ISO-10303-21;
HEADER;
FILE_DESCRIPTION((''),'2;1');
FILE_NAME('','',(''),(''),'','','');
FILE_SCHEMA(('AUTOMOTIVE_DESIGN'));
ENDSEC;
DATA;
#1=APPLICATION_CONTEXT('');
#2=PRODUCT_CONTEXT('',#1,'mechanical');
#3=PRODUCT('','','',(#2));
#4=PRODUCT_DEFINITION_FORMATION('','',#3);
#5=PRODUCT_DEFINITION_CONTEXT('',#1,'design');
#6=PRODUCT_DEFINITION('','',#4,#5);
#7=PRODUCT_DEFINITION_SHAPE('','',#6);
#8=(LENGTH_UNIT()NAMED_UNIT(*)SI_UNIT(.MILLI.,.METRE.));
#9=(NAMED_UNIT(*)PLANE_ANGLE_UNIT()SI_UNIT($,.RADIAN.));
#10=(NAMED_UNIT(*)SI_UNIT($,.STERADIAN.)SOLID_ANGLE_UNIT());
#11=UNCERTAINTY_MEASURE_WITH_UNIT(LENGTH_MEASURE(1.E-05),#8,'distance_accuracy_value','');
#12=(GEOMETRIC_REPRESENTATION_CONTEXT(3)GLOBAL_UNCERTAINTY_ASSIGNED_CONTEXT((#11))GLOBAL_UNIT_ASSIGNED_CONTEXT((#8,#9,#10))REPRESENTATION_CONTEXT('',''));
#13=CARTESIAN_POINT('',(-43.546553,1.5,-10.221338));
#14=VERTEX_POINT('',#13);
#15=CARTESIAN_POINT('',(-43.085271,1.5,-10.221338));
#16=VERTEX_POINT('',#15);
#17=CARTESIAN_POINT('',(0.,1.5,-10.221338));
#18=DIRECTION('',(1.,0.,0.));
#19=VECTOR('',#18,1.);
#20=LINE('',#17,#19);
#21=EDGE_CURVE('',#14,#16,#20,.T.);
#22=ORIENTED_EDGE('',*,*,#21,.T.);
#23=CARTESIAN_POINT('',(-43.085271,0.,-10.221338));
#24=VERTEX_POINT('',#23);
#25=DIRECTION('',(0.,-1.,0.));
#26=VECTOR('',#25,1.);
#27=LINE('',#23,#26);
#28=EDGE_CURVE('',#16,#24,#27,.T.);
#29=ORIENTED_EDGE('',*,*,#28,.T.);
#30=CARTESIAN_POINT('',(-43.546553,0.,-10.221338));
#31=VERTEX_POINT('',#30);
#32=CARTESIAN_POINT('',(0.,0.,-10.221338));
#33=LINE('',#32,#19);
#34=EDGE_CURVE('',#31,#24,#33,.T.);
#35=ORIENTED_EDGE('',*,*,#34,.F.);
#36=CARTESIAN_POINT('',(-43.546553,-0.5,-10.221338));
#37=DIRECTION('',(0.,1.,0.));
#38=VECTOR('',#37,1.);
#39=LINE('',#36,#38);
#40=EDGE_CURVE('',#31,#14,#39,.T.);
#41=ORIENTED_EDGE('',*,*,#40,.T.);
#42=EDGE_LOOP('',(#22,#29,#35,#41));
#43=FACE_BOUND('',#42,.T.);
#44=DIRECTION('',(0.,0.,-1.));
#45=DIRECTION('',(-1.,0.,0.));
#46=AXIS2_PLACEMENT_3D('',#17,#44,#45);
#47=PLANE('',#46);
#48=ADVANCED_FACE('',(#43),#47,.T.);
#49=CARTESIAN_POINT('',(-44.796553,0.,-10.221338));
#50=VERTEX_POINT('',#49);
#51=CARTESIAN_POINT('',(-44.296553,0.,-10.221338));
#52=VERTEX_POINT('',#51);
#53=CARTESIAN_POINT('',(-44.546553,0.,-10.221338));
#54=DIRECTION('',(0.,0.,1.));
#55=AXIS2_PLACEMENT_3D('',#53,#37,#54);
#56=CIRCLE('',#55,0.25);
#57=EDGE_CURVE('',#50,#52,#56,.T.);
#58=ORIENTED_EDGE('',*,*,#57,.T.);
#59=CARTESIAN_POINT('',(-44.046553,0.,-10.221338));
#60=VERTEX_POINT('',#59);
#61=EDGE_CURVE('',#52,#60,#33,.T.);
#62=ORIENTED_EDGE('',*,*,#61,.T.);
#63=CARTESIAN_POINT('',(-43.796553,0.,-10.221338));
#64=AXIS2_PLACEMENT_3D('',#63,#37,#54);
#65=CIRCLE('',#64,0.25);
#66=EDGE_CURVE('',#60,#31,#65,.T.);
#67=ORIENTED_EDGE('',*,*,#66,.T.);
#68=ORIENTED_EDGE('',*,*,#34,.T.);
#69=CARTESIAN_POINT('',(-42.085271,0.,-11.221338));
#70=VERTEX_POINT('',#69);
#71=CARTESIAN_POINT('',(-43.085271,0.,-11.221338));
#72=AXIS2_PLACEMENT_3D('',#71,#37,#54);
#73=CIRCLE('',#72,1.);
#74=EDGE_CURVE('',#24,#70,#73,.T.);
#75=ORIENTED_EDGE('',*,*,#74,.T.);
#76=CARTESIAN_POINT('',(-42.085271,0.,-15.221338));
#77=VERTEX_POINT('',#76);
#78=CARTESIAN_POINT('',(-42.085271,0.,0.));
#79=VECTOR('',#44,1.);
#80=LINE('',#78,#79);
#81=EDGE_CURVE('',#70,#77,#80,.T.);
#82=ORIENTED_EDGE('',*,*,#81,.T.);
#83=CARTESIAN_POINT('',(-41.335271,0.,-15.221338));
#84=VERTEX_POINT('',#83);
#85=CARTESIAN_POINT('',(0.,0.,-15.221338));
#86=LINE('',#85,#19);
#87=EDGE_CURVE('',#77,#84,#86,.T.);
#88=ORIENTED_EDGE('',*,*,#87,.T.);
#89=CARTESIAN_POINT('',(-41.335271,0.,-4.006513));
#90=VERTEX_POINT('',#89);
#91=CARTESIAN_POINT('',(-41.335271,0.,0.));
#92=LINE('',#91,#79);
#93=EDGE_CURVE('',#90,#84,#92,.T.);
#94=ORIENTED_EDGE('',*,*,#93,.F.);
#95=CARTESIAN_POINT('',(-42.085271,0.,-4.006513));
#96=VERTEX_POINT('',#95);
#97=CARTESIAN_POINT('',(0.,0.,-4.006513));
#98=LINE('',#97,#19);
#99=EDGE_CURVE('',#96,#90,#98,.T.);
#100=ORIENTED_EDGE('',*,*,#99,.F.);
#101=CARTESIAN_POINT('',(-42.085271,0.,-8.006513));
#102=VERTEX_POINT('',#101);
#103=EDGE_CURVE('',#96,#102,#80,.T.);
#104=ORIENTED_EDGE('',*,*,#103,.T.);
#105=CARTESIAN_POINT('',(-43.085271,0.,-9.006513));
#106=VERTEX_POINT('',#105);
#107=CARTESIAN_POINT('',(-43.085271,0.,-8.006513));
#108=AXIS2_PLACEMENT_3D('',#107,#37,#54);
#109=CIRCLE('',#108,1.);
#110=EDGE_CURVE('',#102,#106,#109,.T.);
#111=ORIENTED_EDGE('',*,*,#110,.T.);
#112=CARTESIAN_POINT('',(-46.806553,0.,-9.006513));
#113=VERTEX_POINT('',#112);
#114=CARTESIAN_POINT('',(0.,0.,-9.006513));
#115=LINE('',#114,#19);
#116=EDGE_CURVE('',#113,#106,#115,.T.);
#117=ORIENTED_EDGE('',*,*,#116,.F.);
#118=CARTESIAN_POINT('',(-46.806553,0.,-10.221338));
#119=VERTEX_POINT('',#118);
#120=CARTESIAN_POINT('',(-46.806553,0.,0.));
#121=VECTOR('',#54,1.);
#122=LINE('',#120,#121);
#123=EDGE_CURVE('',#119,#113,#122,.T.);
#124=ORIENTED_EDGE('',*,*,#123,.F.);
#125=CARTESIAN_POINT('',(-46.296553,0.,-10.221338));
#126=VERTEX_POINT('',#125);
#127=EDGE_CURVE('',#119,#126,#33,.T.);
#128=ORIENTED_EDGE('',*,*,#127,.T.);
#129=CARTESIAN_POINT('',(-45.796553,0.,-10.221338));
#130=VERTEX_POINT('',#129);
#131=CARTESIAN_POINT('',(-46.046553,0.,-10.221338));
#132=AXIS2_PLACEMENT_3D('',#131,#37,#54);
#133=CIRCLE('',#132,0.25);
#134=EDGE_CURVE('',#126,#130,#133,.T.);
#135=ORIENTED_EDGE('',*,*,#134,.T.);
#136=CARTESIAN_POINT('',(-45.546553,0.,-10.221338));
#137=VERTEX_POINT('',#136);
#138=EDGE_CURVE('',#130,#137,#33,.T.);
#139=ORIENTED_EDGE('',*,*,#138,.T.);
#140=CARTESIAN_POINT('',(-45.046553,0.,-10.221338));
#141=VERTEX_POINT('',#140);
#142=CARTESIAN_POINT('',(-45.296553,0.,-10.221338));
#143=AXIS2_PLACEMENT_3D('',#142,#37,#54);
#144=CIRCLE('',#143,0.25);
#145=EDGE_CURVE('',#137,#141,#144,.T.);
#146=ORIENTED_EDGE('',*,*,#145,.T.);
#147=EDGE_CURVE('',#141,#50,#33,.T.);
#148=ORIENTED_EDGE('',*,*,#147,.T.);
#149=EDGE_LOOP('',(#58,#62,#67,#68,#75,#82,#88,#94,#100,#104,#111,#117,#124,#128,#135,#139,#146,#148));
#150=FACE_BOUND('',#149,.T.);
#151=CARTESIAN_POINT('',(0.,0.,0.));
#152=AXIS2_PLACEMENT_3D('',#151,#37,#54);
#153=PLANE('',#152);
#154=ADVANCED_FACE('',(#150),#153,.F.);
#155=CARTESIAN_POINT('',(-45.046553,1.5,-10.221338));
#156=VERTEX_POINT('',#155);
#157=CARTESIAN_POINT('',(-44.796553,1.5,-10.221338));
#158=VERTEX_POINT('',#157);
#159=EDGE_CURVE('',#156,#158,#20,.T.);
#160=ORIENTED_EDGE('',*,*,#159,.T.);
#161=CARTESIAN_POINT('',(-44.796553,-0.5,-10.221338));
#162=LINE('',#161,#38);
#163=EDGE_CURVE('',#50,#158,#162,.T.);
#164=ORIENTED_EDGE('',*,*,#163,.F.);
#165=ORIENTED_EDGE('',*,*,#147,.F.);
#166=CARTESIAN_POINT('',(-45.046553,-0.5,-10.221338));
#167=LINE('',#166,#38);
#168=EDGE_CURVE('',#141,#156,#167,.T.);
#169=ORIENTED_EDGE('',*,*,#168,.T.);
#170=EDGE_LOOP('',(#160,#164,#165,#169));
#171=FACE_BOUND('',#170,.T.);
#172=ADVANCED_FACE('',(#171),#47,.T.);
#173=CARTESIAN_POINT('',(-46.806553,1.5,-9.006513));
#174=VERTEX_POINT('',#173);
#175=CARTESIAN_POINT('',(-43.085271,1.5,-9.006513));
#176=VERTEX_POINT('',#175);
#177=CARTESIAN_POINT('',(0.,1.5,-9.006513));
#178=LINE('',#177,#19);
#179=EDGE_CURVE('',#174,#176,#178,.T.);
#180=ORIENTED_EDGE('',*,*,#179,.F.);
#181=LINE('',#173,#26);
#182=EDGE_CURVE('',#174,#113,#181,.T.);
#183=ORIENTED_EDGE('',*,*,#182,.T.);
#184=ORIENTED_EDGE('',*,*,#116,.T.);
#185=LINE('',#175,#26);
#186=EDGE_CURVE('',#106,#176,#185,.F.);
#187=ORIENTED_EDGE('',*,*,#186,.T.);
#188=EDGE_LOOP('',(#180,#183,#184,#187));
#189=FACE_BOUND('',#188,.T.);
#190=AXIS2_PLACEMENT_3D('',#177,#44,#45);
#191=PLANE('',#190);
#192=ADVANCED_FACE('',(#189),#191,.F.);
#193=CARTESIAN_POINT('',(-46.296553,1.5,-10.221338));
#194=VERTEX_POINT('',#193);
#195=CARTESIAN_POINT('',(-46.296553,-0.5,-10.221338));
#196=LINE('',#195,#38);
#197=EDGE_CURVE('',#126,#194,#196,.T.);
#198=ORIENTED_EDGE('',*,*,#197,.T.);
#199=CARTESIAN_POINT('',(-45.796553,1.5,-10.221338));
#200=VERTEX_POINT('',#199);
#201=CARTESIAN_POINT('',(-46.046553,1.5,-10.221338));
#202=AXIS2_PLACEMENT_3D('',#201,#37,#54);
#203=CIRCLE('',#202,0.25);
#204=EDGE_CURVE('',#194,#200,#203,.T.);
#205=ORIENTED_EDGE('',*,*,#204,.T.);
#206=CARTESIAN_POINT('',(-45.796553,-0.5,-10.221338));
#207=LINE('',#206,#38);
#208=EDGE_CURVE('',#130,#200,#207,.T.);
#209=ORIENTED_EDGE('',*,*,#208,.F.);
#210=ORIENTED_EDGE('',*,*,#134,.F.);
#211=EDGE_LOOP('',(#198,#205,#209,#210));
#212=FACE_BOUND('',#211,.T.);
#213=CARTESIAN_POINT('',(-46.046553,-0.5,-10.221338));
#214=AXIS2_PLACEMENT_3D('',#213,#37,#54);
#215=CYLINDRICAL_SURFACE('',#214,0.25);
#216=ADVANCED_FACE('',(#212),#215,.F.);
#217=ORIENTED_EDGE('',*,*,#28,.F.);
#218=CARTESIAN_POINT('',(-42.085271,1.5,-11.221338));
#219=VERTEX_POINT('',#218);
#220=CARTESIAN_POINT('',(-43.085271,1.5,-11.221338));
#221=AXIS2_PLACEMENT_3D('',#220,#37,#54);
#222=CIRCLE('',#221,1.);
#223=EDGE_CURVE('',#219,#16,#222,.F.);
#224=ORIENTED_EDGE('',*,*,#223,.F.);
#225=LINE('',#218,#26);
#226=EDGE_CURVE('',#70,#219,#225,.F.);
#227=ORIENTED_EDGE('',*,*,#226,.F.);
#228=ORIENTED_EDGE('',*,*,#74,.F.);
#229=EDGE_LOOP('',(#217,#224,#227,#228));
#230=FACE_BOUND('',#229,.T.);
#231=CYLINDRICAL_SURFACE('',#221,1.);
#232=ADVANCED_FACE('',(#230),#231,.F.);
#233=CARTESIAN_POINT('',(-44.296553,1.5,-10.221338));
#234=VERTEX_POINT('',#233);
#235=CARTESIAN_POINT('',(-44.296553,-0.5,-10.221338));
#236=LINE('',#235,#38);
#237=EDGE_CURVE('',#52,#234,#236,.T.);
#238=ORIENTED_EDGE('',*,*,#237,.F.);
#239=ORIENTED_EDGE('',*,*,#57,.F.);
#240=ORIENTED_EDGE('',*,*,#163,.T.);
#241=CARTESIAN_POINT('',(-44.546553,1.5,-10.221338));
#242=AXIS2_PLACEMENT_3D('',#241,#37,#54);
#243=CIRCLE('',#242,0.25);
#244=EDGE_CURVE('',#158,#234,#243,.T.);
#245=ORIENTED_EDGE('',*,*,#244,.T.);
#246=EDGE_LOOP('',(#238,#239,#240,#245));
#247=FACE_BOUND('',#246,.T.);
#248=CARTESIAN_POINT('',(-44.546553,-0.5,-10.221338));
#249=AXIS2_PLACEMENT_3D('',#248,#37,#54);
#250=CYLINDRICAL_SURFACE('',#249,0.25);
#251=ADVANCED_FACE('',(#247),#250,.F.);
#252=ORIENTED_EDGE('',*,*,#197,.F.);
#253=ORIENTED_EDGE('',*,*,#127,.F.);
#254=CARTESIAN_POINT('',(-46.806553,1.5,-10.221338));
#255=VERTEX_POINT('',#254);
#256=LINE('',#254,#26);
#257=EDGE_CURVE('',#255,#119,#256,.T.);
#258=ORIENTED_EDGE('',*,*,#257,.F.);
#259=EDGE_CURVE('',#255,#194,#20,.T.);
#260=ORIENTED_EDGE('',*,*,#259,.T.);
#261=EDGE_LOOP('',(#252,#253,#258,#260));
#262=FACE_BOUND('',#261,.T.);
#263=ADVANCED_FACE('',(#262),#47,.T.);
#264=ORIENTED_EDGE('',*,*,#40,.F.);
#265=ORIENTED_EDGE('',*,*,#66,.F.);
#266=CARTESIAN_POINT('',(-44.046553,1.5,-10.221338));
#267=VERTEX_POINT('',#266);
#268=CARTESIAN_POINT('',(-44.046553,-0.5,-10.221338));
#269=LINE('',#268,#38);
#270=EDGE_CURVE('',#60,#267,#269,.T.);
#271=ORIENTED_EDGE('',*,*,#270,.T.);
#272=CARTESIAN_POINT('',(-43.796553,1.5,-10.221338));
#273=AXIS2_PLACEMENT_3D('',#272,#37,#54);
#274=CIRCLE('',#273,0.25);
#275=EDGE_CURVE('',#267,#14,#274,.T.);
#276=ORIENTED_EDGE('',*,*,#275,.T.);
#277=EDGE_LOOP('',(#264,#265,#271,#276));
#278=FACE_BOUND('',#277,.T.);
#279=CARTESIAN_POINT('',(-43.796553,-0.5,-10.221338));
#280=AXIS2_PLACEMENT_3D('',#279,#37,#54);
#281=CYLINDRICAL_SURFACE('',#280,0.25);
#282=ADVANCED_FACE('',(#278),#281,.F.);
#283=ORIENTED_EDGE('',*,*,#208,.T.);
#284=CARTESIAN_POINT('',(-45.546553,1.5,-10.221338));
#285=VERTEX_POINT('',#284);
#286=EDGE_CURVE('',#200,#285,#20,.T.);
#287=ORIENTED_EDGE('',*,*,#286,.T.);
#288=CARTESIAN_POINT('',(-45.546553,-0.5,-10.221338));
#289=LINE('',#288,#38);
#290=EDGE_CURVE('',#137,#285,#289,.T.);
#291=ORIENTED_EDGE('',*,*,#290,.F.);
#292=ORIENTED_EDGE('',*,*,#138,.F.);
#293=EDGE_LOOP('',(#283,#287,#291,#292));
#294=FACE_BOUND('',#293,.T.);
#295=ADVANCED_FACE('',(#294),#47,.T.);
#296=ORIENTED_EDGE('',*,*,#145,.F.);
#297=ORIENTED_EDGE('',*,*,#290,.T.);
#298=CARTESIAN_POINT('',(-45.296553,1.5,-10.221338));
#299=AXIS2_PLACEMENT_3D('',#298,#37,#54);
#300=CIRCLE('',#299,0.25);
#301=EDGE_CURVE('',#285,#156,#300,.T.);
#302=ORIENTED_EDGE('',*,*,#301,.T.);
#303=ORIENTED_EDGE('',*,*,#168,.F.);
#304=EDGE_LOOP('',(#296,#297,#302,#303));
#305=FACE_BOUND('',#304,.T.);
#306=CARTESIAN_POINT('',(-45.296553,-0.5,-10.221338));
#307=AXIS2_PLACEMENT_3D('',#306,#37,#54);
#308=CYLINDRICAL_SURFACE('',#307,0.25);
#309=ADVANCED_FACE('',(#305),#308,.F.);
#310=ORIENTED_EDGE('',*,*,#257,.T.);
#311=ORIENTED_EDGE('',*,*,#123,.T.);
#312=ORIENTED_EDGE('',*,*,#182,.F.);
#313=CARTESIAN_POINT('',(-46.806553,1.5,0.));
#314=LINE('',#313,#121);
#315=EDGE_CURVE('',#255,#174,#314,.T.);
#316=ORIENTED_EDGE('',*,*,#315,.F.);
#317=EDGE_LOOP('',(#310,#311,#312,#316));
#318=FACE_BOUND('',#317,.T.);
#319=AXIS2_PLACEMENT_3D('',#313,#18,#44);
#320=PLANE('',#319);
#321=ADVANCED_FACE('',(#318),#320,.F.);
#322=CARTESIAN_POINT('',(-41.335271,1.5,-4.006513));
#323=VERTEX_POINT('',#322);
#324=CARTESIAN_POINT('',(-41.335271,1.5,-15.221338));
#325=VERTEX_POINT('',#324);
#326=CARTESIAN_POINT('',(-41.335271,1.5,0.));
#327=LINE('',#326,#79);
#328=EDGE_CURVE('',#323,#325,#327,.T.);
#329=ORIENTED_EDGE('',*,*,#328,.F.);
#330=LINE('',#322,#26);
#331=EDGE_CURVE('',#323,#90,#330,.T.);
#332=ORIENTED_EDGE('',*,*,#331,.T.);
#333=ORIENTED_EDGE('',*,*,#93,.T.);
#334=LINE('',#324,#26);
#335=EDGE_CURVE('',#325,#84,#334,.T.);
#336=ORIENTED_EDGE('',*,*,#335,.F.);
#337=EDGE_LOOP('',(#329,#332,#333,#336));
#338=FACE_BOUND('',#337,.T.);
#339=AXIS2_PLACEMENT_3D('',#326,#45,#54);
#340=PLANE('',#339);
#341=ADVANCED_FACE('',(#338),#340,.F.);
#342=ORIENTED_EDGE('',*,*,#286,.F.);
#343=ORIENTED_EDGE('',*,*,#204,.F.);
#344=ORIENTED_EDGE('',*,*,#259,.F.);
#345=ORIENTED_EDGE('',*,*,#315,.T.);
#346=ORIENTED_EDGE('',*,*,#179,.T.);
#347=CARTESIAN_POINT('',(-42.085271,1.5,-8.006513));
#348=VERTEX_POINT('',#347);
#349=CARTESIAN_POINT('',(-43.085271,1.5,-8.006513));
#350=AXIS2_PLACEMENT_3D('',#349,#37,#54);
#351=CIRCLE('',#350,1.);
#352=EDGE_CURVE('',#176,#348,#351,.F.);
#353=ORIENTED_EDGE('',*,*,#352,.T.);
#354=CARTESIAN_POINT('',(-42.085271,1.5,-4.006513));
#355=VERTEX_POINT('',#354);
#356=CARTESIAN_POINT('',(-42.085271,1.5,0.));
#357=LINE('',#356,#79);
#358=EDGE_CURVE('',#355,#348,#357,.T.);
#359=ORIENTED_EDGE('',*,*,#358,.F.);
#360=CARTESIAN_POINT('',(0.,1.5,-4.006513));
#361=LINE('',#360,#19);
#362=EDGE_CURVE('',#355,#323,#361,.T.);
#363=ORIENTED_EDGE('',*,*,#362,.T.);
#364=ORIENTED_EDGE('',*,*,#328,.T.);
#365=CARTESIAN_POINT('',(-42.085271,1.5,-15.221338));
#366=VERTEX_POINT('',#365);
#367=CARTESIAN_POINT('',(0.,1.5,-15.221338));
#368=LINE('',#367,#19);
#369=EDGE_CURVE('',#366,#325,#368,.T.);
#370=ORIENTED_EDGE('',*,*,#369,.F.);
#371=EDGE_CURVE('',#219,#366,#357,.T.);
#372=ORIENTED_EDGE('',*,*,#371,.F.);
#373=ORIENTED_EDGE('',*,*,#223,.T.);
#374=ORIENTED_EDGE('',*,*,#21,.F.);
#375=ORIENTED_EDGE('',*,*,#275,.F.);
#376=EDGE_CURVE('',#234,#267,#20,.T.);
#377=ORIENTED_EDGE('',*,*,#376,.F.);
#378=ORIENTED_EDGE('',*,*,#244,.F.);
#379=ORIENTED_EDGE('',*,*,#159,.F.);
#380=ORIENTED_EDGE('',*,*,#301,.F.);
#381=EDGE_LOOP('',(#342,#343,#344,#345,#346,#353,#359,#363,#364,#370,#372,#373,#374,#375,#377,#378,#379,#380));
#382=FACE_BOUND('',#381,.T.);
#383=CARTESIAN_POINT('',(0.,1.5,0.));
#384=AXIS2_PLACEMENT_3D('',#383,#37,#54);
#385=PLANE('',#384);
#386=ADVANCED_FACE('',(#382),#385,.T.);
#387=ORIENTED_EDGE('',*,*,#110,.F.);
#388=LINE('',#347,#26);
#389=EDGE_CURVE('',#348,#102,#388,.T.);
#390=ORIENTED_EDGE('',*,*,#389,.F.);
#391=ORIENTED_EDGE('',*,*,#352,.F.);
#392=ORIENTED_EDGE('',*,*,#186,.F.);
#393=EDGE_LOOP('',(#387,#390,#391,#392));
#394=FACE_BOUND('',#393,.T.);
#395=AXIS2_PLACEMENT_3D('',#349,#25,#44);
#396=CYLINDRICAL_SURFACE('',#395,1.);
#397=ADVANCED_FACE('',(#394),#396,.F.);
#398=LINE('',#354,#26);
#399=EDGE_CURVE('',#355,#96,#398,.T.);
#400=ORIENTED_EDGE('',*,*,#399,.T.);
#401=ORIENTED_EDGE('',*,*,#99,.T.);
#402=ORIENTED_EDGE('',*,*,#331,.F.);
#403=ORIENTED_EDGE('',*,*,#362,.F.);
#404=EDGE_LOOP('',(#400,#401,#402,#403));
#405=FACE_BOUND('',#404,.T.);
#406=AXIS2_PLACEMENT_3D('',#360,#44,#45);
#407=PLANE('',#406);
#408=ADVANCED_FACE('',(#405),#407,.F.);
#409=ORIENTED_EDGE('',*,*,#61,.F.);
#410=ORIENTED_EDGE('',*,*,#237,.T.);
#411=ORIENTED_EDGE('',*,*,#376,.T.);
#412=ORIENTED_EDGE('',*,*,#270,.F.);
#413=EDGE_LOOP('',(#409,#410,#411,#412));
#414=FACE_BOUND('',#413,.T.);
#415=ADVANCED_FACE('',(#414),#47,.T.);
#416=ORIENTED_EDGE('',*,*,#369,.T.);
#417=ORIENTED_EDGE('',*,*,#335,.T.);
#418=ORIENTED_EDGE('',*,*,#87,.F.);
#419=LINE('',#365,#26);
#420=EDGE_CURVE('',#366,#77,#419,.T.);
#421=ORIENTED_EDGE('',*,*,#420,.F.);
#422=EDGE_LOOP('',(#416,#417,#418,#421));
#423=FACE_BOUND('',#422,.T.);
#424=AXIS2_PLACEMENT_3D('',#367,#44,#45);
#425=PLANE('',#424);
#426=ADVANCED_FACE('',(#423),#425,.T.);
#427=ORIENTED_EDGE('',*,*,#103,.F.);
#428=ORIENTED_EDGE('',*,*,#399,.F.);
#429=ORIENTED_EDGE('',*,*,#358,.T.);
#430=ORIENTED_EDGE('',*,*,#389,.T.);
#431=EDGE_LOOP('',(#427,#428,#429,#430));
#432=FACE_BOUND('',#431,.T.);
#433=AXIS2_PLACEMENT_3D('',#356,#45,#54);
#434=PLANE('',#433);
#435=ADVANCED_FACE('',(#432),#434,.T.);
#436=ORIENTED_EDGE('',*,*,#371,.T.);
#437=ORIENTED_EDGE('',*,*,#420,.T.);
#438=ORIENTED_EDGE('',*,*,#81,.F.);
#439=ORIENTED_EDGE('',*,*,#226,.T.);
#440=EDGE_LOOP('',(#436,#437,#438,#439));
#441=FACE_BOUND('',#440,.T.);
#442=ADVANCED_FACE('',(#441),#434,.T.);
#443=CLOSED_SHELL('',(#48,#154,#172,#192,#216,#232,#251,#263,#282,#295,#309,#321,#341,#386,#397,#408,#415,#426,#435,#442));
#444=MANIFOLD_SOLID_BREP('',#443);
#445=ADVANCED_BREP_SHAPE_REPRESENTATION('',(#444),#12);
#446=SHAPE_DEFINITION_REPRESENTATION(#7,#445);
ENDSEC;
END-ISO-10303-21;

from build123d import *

# Parameters (mm, degrees)
SKETCH1_W           = 4.721281475
SKETCH1_H           = 1.214825
BOSS_EXTRUDE1_DEPTH = 1.5
FILLET1_R           = 1
FILLET2_R           = 1
CUT_EXTRUDE1_DEPTH  = 2
LPATTERN1_COUNT     = 4
LPATTERN1_PITCH     = 0.75


with BuildPart() as part:
    # Sketch1 → Boss-Extrude1 (new body)
    with BuildSketch(Plane(origin=(0, 0, 0), x_dir=(1, 0, 0), z_dir=(0, 1, 0))):
        Polygon((-42.085271319, 4.006512849), (-41.335271319, 4.006512849), (-41.335271319, 15.221337849), (-42.085271319, 15.221337849), (-42.085271319, 10.221337849), (-42.085271319, 9.006512849), align=None)
        with Locations((-44.445912057, 9.613925349)):
            Rectangle(SKETCH1_W, SKETCH1_H)
    extrude(amount=BOSS_EXTRUDE1_DEPTH)

    # Fillet1
    fillet1_edges = [part.edges().sort_by_distance(p)[0] for p in [
        (-42.085271319, 0.75, -10.221337849),
    ]]
    fillet(fillet1_edges, radius=FILLET1_R)

    # Fillet2
    fillet2_edges = [part.edges().sort_by_distance(p)[0] for p in [
        (-42.085271319, 0.75, -9.006512849),
    ]]
    fillet(fillet2_edges, radius=FILLET2_R)

    # Sketch2 → Cut-Extrude1 (cut)
    with BuildSketch(Plane(origin=(0, 1.5, 0), x_dir=(1, 0, 0), z_dir=(0, 1, 0))):
        with BuildLine():
            ThreePointArc((-45.796552794, 10.221337849), (-46.046552794, 10.471337849), (-46.296552794, 10.221337849))
            Line((-46.296552794, 10.221337849), (-46.046552794, 10.221337849))
            Line((-46.046552794, 10.221337849), (-45.796552794, 10.221337849))
        make_face()
        with BuildLine():
            Line((-46.046552794, 10.221337849), (-46.296552794, 10.221337849))
            ThreePointArc((-46.296552794, 10.221337849), (-46.046552794, 9.971337849), (-45.796552794, 10.221337849))
            Line((-45.796552794, 10.221337849), (-46.046552794, 10.221337849))
        make_face()
    cut_extrude1 = extrude(amount=-CUT_EXTRUDE1_DEPTH, mode=Mode.SUBTRACT)

    # LPattern1: Cut-Extrude1 ×4
    with Locations(*[(i * LPATTERN1_PITCH, 0, 0) for i in range(1, LPATTERN1_COUNT)]):
        add(cut_extrude1, mode=Mode.SUBTRACT)


solid = part.part
